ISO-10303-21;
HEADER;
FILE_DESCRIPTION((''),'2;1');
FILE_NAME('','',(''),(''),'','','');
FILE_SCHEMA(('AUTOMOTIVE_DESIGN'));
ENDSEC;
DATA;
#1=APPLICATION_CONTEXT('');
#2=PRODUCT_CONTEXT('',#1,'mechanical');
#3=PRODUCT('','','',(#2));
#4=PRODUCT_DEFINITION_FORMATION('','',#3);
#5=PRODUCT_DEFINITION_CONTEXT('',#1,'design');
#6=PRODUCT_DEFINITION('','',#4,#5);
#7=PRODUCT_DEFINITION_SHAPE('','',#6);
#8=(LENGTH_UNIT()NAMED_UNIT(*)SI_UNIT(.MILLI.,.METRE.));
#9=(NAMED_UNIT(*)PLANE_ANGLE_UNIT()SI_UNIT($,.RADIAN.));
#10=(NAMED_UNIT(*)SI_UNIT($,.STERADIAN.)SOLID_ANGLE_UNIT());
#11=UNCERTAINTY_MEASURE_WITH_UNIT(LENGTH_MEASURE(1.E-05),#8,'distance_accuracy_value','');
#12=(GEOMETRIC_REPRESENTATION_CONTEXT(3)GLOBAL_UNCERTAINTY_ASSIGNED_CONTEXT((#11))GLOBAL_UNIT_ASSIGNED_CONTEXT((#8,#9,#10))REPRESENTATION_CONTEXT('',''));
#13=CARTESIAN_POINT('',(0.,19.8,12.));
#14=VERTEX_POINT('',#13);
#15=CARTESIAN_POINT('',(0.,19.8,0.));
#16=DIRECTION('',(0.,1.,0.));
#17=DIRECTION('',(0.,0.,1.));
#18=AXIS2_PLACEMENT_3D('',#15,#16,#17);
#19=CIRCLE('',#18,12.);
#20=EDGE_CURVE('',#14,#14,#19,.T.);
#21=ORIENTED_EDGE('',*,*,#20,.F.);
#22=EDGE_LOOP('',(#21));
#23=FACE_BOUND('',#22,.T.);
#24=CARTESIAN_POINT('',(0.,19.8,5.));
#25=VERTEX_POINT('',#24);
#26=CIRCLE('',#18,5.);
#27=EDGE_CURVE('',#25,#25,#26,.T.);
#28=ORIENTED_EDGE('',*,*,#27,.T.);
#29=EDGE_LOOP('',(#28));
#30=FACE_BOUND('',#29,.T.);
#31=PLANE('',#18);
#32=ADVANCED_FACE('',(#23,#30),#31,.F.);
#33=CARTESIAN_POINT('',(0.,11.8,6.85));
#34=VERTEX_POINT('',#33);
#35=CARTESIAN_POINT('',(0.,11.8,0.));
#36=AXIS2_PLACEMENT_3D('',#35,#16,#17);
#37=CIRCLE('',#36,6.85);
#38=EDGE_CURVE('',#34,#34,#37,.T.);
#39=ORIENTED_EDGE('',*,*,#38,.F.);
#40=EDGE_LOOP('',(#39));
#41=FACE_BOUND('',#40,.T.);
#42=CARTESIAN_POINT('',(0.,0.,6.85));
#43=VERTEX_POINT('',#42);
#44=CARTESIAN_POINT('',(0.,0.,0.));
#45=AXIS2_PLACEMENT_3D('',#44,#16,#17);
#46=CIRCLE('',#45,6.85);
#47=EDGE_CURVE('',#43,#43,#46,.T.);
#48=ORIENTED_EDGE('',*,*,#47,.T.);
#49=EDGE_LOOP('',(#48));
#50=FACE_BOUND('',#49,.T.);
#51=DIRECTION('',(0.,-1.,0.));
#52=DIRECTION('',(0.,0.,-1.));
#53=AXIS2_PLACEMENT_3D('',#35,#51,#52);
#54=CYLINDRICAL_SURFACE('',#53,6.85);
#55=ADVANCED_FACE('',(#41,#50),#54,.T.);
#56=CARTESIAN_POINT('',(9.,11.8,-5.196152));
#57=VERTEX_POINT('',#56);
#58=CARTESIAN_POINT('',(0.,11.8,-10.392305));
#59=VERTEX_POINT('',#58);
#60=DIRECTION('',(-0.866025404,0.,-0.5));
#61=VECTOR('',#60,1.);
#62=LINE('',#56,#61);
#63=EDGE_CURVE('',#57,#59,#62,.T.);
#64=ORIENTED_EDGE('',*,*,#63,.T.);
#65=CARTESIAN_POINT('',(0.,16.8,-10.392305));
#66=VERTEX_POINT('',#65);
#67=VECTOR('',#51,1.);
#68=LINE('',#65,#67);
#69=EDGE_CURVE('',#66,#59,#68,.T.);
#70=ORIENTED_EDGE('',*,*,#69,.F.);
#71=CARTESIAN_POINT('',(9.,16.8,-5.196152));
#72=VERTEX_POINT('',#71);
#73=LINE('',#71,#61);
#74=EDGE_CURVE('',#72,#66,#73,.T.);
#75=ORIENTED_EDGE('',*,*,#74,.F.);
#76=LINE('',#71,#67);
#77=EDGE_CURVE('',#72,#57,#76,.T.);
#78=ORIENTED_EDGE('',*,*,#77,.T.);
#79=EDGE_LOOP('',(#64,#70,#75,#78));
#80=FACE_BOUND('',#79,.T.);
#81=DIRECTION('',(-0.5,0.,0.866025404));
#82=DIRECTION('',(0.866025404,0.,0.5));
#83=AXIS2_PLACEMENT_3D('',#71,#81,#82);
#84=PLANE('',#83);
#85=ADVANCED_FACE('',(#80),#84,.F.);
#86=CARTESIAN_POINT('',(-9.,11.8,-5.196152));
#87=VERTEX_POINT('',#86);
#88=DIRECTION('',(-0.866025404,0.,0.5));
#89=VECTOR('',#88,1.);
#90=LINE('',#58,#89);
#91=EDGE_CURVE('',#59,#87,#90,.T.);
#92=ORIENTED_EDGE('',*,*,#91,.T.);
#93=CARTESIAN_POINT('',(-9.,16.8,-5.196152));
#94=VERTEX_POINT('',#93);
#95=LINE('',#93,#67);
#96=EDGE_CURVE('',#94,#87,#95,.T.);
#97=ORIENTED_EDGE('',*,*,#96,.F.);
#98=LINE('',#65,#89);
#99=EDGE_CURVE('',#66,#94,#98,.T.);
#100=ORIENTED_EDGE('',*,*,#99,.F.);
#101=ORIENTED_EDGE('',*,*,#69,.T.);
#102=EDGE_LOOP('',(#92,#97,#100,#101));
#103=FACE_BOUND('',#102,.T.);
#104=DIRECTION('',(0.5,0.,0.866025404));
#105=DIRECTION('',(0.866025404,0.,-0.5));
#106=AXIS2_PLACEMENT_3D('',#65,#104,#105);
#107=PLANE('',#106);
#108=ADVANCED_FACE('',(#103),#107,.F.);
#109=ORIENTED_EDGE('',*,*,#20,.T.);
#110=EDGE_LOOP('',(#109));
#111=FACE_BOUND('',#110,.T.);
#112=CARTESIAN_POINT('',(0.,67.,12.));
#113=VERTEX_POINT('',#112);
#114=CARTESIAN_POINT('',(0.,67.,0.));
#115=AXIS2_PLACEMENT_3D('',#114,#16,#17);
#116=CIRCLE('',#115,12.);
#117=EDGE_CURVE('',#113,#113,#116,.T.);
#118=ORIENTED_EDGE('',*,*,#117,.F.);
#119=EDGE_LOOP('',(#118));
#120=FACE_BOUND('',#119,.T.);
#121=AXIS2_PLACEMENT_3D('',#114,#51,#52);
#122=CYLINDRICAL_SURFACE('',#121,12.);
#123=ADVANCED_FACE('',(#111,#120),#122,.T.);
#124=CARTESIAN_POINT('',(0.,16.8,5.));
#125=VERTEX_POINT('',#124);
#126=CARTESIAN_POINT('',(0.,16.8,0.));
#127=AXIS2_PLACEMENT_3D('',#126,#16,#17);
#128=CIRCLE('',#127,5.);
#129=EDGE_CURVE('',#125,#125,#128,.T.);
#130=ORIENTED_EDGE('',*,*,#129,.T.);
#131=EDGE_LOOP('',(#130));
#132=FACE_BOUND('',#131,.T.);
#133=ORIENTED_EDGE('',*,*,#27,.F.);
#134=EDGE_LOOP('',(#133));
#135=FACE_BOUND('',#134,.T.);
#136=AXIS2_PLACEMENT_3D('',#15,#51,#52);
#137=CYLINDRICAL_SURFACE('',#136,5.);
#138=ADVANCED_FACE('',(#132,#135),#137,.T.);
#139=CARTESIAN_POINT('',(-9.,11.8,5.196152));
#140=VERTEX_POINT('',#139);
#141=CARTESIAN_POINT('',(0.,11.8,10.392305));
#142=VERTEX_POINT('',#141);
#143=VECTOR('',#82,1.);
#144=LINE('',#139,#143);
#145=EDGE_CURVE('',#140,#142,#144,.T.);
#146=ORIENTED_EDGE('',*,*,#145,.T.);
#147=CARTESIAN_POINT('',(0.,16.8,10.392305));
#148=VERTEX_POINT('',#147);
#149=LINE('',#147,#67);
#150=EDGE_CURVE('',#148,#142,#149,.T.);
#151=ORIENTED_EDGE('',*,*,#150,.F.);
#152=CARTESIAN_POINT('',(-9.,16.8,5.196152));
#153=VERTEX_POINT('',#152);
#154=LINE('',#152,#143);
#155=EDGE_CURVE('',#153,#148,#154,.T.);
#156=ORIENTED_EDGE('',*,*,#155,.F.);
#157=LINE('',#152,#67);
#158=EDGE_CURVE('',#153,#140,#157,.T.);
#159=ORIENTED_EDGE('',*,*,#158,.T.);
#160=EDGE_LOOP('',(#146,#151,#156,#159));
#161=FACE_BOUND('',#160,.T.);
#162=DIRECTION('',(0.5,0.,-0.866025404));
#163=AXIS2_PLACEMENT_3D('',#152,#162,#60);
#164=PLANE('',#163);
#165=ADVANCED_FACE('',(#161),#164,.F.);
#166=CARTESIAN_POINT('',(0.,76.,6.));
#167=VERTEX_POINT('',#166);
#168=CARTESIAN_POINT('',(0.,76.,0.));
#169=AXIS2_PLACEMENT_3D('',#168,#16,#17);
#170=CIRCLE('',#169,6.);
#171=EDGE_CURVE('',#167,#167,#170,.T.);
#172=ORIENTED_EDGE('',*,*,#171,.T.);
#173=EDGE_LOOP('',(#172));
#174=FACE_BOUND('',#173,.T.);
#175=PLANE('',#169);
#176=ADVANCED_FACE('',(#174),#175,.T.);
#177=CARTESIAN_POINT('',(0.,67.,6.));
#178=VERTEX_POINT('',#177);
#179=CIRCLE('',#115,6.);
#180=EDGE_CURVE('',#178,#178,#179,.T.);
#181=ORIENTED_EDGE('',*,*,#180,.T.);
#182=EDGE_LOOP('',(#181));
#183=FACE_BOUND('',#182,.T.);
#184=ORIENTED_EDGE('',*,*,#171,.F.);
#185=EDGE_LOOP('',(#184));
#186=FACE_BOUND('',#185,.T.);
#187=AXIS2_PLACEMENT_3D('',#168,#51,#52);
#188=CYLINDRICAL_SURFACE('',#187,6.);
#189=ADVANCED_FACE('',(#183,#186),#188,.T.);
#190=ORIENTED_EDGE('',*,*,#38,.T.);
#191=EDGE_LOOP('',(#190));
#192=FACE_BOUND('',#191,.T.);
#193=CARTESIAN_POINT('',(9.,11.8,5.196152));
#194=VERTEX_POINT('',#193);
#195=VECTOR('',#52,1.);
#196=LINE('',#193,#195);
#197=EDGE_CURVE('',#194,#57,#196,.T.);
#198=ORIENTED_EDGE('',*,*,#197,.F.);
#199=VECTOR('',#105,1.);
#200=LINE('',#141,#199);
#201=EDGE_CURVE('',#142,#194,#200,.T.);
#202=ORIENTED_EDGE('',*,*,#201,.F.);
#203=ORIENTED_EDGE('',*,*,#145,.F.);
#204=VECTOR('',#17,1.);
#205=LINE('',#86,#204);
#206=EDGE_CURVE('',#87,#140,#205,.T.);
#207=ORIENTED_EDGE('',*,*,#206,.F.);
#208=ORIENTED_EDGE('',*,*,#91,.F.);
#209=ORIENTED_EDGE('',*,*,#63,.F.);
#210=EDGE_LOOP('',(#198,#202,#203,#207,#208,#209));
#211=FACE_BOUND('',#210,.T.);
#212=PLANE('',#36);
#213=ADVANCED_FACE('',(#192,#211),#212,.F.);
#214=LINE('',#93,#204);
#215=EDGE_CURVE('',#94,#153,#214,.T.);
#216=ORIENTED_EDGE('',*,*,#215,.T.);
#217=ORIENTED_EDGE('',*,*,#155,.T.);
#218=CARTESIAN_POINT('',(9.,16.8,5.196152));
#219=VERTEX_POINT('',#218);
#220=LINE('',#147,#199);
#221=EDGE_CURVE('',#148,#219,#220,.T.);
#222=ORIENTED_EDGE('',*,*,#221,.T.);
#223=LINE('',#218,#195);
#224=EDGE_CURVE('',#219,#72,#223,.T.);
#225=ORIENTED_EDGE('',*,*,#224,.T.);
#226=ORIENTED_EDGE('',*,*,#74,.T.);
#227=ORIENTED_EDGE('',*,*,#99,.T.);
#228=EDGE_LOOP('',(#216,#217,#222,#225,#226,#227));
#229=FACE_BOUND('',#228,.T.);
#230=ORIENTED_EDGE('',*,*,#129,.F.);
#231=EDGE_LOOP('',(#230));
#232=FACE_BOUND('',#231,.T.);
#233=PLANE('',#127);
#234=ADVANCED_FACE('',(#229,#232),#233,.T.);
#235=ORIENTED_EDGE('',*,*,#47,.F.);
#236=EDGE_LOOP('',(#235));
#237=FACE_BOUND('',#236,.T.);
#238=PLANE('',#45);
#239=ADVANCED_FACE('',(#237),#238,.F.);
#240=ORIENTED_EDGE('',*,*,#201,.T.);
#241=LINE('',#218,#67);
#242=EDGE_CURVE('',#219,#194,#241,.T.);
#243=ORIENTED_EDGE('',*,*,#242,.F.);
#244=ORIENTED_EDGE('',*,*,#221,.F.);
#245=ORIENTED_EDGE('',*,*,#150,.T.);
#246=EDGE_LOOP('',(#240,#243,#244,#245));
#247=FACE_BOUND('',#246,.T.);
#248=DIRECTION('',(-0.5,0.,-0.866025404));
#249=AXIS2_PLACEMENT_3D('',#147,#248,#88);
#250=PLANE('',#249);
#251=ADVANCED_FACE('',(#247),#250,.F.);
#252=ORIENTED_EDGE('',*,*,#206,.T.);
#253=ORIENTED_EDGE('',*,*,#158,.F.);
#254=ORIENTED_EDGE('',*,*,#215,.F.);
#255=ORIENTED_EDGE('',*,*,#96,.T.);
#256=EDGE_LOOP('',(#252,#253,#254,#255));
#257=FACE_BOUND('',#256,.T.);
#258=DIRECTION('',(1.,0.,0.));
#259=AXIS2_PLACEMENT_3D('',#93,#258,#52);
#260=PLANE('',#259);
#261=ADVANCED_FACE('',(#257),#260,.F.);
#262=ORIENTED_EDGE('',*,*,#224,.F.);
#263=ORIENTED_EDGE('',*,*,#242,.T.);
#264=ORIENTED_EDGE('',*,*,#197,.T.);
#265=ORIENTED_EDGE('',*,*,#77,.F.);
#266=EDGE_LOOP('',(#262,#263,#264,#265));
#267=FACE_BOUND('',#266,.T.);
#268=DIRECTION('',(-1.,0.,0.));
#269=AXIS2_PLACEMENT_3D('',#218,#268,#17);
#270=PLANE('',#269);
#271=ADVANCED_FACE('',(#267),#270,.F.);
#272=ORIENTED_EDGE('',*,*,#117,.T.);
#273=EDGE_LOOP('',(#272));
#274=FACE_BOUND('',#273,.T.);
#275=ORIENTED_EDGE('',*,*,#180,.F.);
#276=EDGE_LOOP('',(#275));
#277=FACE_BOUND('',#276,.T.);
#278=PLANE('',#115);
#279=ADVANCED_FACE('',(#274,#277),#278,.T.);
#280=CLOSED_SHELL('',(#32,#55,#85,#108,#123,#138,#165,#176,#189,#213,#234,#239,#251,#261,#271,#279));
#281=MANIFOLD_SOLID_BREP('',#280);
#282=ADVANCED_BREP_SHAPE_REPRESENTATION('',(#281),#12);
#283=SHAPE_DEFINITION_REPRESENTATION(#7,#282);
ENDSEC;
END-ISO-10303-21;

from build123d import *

# Parameters (mm, degrees)
SKETCH1_R           = 6.85
BOSS_EXTRUDE1_DEPTH = 11.8
BOSS_EXTRUDE2_DEPTH = 5
SKETCH3_R           = 5
BOSS_EXTRUDE3_DEPTH = 3
SKETCH4_R           = 12
BOSS_EXTRUDE4_DEPTH = 47.2
SKETCH5_R           = 6
BOSS_EXTRUDE5_DEPTH = 9


with BuildPart() as part:
    # Sketch1 → Boss-Extrude1 (new body)
    with BuildSketch(Plane(origin=(0, 0, 0), x_dir=(1, 0, 0), z_dir=(0, 1, 0))):
        Circle(SKETCH1_R)
    extrude(amount=BOSS_EXTRUDE1_DEPTH)

    # Sketch2 → Boss-Extrude2 (add)
    with BuildSketch(Plane(origin=(0, 11.8, 0), x_dir=(1, 0, 0), z_dir=(0, 1, 0))):
        Polygon((0, 10.392304845), (-9, 5.196152423), (-9, -5.196152423), (0, -10.392304845), (9, -5.196152423), (9, 5.196152423), align=None)
    extrude(amount=BOSS_EXTRUDE2_DEPTH)

    # Sketch3 → Boss-Extrude3 (add)
    with BuildSketch(Plane(origin=(0, 16.8, 0), x_dir=(1, 0, 0), z_dir=(0, 1, 0))):
        Circle(SKETCH3_R)
    extrude(amount=BOSS_EXTRUDE3_DEPTH)

    # Sketch4 → Boss-Extrude4 (add)
    with BuildSketch(Plane(origin=(0, 19.8, 0), x_dir=(1, 0, 0), z_dir=(0, 1, 0))):
        Circle(SKETCH4_R)
    extrude(amount=BOSS_EXTRUDE4_DEPTH)

    # Sketch5 → Boss-Extrude5 (add)
    with BuildSketch(Plane(origin=(0, 67, 0), x_dir=(1, 0, 0), z_dir=(0, 1, 0))):
        Circle(SKETCH5_R)
    extrude(amount=BOSS_EXTRUDE5_DEPTH)


solid = part.part
